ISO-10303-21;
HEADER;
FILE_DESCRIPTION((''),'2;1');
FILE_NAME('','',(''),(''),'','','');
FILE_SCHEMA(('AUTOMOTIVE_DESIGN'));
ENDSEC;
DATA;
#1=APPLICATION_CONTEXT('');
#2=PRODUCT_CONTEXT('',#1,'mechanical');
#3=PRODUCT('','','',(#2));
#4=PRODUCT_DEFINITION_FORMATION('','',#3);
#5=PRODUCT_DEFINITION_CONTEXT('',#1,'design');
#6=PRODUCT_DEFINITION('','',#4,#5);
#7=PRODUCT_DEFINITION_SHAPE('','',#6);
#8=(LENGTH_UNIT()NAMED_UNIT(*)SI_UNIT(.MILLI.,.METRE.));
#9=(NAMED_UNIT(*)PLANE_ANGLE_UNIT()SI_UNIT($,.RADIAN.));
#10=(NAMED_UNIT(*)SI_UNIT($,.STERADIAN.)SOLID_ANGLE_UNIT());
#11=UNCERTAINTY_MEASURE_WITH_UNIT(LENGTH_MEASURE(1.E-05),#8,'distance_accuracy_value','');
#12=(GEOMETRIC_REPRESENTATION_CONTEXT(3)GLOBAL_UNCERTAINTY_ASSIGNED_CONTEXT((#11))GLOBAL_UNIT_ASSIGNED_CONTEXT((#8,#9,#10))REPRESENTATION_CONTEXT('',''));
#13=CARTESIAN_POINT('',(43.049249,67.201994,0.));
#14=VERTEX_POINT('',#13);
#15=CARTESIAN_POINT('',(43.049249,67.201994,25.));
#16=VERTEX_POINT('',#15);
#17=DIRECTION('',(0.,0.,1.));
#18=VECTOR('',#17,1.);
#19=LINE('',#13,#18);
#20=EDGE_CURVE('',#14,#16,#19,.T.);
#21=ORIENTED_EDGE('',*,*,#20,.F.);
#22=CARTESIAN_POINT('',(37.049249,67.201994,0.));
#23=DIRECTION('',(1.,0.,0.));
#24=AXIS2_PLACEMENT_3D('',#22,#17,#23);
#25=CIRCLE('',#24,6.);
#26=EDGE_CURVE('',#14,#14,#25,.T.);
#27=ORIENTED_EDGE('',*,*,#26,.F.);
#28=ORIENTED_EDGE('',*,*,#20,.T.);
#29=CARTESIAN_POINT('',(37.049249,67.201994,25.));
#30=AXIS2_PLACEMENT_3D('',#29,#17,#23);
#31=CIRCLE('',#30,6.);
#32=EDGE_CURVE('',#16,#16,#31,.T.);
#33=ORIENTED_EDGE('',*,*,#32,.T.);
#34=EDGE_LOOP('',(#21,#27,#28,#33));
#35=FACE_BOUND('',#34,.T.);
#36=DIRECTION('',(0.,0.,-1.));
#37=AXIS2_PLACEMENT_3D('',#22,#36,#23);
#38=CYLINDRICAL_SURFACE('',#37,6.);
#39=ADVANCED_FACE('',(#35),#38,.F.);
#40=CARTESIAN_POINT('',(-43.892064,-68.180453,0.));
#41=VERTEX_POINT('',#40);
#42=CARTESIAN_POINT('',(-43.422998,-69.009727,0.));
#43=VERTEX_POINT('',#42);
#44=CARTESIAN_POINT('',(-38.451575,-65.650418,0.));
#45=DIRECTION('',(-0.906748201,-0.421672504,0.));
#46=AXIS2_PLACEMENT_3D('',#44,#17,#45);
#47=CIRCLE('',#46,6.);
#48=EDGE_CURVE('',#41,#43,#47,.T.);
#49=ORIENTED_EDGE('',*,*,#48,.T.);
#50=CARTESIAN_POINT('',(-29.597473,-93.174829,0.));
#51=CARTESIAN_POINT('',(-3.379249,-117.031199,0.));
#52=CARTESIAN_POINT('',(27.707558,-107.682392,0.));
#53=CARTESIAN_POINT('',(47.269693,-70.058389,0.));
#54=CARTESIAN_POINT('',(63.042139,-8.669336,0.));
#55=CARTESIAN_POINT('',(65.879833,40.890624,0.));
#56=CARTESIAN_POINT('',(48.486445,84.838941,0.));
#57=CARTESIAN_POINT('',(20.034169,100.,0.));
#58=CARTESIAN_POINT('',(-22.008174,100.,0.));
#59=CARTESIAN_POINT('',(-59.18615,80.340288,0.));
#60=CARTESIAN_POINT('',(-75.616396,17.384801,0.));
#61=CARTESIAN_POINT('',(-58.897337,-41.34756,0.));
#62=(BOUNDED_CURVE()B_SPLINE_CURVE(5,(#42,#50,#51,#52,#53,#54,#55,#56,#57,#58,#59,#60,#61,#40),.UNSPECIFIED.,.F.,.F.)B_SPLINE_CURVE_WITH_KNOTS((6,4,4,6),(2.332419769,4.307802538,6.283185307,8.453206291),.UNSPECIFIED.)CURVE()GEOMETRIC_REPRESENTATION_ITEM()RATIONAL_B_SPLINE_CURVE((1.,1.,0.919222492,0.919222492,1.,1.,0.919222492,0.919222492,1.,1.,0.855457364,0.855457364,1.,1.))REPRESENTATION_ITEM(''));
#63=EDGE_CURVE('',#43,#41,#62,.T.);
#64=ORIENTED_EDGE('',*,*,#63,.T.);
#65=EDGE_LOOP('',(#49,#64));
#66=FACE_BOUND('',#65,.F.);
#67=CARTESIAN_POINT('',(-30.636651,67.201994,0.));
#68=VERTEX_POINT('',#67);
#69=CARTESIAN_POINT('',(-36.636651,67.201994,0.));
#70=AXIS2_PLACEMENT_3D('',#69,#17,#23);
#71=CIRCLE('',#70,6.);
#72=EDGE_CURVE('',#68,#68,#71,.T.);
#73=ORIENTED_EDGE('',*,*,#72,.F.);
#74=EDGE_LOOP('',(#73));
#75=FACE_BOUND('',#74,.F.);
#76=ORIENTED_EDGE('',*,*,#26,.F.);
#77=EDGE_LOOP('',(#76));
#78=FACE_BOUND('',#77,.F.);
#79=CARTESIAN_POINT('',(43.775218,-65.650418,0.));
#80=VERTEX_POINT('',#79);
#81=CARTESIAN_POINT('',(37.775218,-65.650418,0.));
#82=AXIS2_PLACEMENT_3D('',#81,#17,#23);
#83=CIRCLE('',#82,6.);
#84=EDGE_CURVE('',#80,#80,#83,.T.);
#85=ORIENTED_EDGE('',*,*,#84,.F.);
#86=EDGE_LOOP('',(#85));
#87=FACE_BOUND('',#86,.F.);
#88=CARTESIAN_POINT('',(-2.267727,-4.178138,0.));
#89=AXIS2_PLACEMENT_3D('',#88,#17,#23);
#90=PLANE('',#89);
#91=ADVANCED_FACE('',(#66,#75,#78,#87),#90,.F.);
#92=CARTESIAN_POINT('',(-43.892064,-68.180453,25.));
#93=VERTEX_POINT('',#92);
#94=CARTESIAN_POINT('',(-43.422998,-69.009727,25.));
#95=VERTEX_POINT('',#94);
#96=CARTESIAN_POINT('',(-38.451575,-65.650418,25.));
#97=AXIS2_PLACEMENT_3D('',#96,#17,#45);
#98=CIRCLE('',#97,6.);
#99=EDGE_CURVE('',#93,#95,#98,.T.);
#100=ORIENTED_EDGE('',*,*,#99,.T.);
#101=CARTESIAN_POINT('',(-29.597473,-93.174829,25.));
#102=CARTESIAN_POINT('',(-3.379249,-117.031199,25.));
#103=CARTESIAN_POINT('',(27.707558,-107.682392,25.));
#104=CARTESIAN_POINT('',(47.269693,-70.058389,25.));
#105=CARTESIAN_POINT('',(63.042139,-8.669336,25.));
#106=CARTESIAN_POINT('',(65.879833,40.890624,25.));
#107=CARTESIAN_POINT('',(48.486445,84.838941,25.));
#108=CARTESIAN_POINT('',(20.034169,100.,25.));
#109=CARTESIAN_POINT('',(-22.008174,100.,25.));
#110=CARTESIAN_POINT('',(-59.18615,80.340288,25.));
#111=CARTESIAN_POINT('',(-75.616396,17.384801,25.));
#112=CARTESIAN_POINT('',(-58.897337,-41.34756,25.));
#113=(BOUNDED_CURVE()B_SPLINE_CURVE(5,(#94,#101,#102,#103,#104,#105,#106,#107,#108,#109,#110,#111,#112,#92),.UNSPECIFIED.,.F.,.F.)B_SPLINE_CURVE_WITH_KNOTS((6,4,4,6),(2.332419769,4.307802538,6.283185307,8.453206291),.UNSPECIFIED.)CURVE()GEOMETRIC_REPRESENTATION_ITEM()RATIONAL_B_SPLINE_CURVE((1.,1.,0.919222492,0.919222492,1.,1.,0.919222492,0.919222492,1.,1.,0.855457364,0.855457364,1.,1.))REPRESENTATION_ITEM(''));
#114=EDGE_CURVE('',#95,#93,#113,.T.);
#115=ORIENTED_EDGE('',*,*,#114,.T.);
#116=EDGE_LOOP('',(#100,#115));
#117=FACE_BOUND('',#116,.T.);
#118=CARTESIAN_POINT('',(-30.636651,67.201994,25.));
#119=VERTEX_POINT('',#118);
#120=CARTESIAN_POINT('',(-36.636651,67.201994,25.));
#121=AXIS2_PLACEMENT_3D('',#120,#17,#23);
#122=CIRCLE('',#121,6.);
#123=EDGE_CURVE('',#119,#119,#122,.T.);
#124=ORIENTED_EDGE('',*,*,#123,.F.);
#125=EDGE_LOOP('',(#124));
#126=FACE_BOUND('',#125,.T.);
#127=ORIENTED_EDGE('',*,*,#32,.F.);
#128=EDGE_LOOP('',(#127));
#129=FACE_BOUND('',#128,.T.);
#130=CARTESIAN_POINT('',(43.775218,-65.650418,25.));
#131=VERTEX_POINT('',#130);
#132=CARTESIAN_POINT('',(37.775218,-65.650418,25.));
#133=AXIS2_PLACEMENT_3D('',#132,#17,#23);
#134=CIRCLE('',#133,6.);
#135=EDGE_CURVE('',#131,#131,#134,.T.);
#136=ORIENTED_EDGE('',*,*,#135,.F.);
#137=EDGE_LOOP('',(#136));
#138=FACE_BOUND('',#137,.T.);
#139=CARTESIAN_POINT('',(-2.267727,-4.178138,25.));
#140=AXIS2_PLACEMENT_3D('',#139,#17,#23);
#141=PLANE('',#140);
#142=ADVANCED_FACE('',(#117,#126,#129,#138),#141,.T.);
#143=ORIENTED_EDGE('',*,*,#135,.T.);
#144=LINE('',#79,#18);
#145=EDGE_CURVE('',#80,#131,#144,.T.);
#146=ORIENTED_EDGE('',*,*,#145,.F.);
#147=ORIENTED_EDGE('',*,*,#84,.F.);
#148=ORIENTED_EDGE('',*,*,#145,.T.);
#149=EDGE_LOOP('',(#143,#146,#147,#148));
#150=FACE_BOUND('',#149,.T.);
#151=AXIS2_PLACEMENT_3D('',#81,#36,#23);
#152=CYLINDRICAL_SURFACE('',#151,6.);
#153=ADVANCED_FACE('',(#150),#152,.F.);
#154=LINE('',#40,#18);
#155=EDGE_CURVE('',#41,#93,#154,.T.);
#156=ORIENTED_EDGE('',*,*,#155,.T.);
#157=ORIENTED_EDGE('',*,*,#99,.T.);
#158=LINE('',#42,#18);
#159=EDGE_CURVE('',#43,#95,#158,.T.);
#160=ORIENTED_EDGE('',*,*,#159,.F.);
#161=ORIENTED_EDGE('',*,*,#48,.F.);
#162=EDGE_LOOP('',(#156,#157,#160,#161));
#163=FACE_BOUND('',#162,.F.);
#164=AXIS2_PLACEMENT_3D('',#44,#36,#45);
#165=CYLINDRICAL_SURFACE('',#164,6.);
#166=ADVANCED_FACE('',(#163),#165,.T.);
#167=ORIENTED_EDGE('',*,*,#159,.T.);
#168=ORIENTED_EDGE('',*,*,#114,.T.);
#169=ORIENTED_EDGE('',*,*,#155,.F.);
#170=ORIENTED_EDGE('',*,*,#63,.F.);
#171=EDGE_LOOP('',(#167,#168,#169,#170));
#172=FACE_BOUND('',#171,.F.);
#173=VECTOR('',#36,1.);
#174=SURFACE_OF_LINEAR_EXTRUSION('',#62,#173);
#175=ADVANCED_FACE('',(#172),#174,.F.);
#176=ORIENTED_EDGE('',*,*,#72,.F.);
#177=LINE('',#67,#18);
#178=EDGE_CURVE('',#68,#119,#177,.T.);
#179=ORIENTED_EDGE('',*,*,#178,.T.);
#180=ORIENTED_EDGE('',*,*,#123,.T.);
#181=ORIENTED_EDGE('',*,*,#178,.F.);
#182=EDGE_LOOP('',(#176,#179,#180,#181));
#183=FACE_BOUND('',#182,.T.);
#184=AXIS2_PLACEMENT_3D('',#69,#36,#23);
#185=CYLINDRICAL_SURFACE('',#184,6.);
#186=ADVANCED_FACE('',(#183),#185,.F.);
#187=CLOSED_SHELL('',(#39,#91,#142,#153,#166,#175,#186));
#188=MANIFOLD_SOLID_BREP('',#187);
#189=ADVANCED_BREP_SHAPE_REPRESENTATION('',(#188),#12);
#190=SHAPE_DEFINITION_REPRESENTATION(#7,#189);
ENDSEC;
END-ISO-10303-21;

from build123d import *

# Parameters (mm, degrees)
F0_R     = 6
F1_DEPTH = 25


with BuildPart() as f1:
    # F0 (on Top) → F1 (new body)
    with BuildSketch(Plane.XY):
        with BuildLine():
            add(Edge.make_bspline(
                [(-43.4229979183, -69.0097266049), (19.3497123085, -178.7277249705), (55.1559160824, -39.3638624852), (90.9621198563, 100), (0, 100)],
                knots=[2.3324197689, 2.3324197689, 2.3324197689, 4.307802538, 4.307802538, 6.2831853072, 6.2831853072, 6.2831853072], degree=2, weights=[1, 0.5506184592, 1, 0.5506184592, 1]))
            add(Edge.make_bspline(
                [(0, 100), (-137.9405700882, 100), (-43.8920639473, -68.1804534234)],
                knots=[0, 0, 0, 2.3210229145, 2.3210229145, 2.3210229145], degree=2, weights=[1, 0.3988705716, 1]))
            ThreePointArc((-43.8920639473, -68.1804534234), (-39.7471566146, -59.791965737), (-32.4515747428, -65.6504184008))
            ThreePointArc((-32.4515747428, -65.6504184008), (-36.6949500038, -71.3875143148), (-43.4229979183, -69.0097266049))
        make_face()
        with Locations((37.7752184868, -65.6504184008)):
            Circle(F0_R, mode=Mode.SUBTRACT)
        with Locations((-36.6366505623, 67.2019943595)):
            Circle(F0_R, mode=Mode.SUBTRACT)
        with Locations((37.0492488146, 67.2019943595)):
            Circle(F0_R, mode=Mode.SUBTRACT)
        with BuildLine():
            ThreePointArc((-32.4515747428, -65.6504184008), (-39.7471566146, -59.791965737), (-43.8920639473, -68.1804534234))
            add(Edge.make_bspline(
                [(-43.8920639473, -68.1804534234), (-43.658948614, -68.5973174871), (-43.4229979183, -69.0097266049)],
                knots=[2.3210229145, 2.3210229145, 2.3210229145, 2.3324197689, 2.3324197689, 2.3324197689], degree=2, weights=[1, 0.999983764, 1]))
            ThreePointArc((-43.4229979183, -69.0097266049), (-36.6949500038, -71.3875143148), (-32.4515747428, -65.6504184008))
        make_face()
        with BuildLine():
            add(Edge.make_bspline(
                [(-43.8920639473, -68.1804534234), (-43.658948614, -68.5973174871), (-43.4229979183, -69.0097266049)],
                knots=[2.3210229145, 2.3210229145, 2.3210229145, 2.3324197689, 2.3324197689, 2.3324197689], degree=2, weights=[1, 0.999983764, 1]))
            ThreePointArc((-43.8920639473, -68.1804534234), (-43.6740170215, -68.6044151248), (-43.4229979183, -69.0097266049))
        make_face()
    extrude(amount=F1_DEPTH)


solid = f1.part
